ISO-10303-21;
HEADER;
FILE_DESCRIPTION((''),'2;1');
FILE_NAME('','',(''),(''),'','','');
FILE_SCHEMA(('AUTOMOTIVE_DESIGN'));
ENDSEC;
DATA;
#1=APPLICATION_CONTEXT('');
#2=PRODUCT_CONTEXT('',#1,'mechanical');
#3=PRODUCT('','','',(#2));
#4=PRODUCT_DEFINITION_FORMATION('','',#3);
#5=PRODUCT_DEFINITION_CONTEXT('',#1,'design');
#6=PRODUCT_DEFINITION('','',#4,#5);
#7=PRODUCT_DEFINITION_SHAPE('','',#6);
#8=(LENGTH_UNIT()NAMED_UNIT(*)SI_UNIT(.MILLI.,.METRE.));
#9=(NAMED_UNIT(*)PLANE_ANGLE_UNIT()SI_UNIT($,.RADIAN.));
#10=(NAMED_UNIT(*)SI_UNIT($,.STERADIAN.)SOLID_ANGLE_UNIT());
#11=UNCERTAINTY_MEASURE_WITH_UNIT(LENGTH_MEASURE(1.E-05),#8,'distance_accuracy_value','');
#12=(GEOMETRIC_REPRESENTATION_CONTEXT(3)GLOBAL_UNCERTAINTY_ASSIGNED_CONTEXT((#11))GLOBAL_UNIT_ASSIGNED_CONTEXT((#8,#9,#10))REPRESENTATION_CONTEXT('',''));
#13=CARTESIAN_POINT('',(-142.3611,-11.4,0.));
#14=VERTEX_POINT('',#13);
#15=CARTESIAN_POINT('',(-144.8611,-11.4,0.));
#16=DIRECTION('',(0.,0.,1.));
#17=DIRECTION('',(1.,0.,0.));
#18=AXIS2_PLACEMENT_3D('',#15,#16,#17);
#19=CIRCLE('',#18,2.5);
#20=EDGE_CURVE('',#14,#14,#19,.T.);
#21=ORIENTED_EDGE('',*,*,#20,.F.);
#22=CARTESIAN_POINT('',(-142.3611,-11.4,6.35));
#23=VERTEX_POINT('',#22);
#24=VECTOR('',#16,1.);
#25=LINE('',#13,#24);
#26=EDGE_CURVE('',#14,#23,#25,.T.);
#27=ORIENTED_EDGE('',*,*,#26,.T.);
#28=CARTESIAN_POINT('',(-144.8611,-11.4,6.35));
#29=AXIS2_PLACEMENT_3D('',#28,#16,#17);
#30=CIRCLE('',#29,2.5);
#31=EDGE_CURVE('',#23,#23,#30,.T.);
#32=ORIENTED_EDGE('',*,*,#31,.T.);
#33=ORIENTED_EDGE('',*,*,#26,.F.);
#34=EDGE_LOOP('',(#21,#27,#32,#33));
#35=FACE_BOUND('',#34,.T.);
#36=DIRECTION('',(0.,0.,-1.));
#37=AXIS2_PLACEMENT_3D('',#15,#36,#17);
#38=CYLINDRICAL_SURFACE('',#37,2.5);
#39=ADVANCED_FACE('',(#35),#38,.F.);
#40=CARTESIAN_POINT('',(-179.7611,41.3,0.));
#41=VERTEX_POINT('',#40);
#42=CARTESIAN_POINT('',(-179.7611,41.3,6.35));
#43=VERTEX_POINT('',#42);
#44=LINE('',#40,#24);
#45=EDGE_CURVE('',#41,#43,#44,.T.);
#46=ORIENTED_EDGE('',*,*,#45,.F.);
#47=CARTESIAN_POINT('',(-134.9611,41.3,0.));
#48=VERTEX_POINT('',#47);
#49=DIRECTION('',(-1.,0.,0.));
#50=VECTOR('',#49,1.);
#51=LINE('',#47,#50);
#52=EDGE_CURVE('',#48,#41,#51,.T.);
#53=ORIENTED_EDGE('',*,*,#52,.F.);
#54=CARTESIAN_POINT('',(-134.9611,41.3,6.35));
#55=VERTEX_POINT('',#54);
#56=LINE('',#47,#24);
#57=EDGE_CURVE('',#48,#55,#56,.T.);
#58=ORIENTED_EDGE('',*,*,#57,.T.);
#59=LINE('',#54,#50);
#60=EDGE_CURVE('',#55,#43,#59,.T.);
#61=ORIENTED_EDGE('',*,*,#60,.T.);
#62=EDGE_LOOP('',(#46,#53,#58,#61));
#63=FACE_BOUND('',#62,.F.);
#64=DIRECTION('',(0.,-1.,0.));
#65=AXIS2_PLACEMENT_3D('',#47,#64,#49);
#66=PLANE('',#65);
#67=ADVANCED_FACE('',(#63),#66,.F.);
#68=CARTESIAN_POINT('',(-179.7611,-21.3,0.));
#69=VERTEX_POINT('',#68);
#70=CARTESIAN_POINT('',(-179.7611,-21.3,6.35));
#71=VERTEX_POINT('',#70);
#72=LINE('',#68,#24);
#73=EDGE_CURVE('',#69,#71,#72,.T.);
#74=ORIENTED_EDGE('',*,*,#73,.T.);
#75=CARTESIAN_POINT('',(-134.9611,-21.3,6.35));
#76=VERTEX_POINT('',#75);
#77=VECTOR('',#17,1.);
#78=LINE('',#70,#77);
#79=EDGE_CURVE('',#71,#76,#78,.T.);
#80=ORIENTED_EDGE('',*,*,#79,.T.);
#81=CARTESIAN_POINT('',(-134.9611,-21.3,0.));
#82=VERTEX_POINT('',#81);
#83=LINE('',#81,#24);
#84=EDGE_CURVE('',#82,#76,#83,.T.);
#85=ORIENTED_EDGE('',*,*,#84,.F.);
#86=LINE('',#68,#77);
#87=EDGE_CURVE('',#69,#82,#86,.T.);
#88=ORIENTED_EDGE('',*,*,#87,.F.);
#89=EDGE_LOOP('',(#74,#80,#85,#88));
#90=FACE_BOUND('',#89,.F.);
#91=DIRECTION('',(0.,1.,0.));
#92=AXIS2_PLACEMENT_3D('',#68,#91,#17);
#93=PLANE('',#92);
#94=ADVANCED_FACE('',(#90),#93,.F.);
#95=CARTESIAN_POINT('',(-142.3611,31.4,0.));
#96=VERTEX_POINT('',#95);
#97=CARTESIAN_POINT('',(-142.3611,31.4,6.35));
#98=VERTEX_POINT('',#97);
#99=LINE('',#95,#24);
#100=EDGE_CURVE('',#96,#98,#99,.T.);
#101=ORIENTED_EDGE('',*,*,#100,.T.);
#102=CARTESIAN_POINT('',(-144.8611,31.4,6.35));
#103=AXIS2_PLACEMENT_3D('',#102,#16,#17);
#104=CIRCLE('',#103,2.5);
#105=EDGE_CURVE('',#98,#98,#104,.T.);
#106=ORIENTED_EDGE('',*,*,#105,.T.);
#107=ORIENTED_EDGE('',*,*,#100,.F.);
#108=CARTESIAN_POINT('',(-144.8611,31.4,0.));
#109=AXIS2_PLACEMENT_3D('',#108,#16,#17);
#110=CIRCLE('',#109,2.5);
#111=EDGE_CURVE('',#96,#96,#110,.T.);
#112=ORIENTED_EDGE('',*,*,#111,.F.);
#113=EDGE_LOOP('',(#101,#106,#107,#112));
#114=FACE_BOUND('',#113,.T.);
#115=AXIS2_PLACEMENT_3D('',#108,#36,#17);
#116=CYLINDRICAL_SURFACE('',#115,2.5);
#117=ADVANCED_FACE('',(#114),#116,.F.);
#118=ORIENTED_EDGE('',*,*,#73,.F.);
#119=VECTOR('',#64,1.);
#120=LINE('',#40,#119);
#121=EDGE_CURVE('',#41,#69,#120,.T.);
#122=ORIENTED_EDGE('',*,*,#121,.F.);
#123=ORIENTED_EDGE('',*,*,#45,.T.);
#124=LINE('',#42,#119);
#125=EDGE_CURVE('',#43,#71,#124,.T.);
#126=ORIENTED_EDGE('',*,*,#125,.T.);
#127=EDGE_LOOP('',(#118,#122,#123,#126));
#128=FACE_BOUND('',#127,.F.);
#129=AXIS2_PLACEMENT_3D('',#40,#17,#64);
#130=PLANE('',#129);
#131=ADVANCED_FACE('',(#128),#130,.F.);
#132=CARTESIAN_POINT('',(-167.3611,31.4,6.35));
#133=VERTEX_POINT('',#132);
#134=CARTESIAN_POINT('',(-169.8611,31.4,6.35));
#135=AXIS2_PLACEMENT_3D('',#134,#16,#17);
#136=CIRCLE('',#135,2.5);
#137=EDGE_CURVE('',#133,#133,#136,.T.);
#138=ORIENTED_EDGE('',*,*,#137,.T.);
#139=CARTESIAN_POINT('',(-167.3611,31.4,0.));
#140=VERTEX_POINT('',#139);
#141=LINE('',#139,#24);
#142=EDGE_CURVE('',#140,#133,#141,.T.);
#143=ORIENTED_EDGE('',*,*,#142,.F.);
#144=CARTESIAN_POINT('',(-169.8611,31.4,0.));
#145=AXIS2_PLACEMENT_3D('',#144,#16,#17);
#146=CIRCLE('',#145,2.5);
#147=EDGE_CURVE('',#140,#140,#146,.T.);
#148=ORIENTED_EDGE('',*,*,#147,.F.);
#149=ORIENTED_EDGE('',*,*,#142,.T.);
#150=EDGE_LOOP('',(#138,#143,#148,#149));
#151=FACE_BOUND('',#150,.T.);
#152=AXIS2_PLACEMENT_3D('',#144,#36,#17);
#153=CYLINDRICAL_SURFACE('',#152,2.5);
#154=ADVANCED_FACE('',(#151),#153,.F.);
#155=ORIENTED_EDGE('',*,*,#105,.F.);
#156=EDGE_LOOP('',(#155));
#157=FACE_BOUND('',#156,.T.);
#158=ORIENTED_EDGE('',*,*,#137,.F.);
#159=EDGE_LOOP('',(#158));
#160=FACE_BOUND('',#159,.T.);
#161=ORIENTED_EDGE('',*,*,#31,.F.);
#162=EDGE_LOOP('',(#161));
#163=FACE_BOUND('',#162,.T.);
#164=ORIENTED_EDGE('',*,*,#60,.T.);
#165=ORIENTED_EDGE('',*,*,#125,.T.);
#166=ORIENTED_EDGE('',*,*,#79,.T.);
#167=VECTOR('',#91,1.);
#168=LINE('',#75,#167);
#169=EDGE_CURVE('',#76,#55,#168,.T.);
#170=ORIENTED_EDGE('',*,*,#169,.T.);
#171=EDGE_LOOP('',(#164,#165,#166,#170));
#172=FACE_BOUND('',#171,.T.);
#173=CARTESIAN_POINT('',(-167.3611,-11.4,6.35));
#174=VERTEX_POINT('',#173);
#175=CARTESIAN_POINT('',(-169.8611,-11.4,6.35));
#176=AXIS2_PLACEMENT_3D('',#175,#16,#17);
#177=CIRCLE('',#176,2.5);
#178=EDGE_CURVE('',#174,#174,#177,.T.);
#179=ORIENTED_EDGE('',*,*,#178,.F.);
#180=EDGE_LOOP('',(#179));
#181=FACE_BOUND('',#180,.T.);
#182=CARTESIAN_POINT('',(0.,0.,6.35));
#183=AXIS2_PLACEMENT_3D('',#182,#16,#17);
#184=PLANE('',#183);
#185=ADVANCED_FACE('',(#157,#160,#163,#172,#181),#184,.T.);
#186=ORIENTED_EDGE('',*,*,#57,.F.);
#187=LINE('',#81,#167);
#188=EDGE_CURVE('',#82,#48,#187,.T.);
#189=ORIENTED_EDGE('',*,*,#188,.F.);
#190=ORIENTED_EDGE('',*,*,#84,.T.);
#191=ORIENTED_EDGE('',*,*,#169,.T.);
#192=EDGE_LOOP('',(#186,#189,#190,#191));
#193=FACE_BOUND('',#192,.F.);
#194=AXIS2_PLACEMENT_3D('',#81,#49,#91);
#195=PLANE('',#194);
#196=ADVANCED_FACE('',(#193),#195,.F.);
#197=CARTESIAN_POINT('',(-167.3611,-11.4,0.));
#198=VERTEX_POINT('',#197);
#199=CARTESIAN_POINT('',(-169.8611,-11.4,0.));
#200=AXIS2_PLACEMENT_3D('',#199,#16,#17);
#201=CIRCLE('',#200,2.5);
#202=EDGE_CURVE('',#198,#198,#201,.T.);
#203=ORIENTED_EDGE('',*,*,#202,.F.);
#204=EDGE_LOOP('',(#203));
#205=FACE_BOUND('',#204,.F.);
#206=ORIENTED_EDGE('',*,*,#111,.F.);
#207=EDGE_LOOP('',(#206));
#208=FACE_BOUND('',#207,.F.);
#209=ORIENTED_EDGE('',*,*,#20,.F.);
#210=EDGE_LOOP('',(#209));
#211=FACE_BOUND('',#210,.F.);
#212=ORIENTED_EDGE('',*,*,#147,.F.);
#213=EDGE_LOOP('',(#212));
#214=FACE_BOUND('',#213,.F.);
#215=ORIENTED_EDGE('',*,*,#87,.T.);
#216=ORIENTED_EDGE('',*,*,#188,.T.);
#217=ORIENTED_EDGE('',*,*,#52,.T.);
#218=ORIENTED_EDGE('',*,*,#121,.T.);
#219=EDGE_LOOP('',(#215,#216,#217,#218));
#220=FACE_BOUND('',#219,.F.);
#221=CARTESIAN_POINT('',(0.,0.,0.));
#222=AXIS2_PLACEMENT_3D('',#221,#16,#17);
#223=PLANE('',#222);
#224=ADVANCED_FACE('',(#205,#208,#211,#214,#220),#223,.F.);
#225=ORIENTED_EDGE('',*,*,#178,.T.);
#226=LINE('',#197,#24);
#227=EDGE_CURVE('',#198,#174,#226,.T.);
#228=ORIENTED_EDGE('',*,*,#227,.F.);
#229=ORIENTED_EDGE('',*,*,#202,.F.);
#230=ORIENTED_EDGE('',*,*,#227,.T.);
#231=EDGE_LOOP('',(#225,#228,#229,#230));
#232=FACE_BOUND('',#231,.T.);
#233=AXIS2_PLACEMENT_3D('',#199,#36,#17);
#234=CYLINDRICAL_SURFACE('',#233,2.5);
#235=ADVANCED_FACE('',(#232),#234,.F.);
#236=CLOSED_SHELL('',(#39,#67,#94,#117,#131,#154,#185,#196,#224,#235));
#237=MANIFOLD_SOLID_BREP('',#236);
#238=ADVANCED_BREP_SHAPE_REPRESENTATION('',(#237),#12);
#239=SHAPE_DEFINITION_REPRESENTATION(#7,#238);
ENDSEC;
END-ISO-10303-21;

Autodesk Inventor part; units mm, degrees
ref_plane "YZ Plane" through (0, 0, 0) normal (1, 0, 0) x (0, 1, 0)
ref_plane "XZ Plane" through (0, 0, 0) normal (0, 1, 0) x (-1, 0, 0)
ref_plane "XY Plane" through (0, 0, 0) normal (0, 0, 1) x (1, 0, 0)
sketch "Sketch1" plane through (0, 0, 0) normal (0, 0, 1) x (1, 0, 0)
  circle A0 centre (-144.8611, 31.4) radius 2.5 projected
  circle A1 centre (-144.8611, 31.4) radius 9.9 construction
  circle A2 centre (-169.8611, 31.4) radius 2.5 projected
  circle A3 centre (-169.8611, 31.4) radius 9.9 construction
  circle A4 centre (-169.8611, -11.4) radius 2.5 projected
  circle A5 centre (-169.8611, -11.4) radius 9.9 construction
  circle A6 centre (-144.8611, -11.4) radius 2.5 projected
  circle A7 centre (-144.8611, -11.4) radius 9.9 construction
  line L0 (-144.8611, 31.4) -> (-169.8611, 31.4) construction
  line L1 (-169.8611, 31.4) -> (-169.8611, -11.4) construction
  line L2 (-169.8611, -11.4) -> (-144.8611, -11.4) construction
  line L3 (-144.8611, -11.4) -> (-144.8611, 31.4) construction
  line L4 (-134.9611, 41.3) -> (-179.7611, 41.3)
  line L5 (-179.7611, 41.3) -> (-179.7611, -21.3)
  line L6 (-179.7611, -21.3) -> (-134.9611, -21.3)
  line L7 (-134.9611, -21.3) -> (-134.9611, 41.3)
  point P0 (0, 0)
extrude "Extrusion1" add sketch "Sketch1" along normal blind 6.35
